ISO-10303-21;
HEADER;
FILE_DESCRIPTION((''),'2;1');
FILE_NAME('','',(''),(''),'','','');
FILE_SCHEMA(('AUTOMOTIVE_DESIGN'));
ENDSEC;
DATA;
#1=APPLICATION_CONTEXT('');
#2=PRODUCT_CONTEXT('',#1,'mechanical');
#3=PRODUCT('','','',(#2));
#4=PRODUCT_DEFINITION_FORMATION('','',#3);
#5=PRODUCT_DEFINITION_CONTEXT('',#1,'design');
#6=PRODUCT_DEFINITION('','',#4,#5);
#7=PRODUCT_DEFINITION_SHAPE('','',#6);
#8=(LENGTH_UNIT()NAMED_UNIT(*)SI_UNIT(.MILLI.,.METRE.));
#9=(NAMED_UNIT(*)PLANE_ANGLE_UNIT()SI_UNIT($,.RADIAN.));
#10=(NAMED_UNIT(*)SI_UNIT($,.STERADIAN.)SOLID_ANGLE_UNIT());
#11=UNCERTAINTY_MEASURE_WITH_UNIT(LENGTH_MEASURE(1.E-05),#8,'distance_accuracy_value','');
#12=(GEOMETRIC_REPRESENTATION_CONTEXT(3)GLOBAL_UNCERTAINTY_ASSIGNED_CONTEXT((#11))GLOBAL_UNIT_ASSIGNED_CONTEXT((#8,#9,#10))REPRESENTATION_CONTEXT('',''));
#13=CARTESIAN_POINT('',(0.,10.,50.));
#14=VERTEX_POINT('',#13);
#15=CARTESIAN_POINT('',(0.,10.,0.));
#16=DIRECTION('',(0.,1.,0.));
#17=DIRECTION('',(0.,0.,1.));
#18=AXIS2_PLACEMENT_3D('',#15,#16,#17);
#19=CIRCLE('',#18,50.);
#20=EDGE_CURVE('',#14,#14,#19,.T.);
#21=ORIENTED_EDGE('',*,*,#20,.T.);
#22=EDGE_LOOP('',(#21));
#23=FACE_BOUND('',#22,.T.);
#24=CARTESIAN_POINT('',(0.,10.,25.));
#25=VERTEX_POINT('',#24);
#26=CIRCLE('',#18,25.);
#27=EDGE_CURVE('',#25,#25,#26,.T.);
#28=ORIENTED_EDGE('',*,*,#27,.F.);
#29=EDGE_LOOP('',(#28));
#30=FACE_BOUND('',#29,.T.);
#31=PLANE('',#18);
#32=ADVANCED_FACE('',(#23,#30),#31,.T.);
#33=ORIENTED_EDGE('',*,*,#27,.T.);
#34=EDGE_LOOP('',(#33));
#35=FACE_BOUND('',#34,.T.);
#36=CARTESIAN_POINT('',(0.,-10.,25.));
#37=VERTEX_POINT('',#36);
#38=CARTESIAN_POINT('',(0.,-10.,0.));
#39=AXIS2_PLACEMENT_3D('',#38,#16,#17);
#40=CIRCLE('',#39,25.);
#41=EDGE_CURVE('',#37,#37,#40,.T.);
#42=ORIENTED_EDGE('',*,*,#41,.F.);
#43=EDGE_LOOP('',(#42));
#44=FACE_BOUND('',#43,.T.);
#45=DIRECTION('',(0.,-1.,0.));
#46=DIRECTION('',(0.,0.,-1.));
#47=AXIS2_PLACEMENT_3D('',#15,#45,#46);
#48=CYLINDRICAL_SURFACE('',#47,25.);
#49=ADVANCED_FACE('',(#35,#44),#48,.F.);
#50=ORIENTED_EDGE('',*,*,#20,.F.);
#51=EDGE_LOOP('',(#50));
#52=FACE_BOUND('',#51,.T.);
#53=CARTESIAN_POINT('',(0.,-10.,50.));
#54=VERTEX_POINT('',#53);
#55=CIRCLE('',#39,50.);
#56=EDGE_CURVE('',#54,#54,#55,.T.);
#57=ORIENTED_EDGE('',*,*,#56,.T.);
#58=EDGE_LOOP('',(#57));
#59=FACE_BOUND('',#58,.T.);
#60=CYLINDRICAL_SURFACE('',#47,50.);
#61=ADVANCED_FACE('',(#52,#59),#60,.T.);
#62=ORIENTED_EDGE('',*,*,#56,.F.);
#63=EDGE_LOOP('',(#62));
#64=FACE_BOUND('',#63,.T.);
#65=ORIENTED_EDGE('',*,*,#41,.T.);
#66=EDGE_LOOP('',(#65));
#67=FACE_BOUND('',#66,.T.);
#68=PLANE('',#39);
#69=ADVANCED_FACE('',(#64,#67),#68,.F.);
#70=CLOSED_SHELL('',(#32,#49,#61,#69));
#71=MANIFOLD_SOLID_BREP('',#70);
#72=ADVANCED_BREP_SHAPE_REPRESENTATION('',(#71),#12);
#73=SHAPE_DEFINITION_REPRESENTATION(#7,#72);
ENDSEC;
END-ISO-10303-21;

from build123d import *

# Parameters (mm, degrees)
SKETCH_1_R      = 50
SKETCH_1_R_2    = 25
EXTRUDE_1_DEPTH = 10


with BuildPart() as part:
    # 草图1 → 凸台-拉伸1 (new, symmetric)
    with BuildSketch(Plane(origin=(0, 0, 0), x_dir=(1, 0, 0), z_dir=(0, 1, 0))):
        with Locations(Location((0, 0, 0), (0, 0, 270))):
            Circle(SKETCH_1_R)
        with Locations(Location((0, 0, 0), (0, 0, 270))):
            Circle(SKETCH_1_R_2, mode=Mode.SUBTRACT)
    extrude(amount=EXTRUDE_1_DEPTH, both=True)


solid = part.part
